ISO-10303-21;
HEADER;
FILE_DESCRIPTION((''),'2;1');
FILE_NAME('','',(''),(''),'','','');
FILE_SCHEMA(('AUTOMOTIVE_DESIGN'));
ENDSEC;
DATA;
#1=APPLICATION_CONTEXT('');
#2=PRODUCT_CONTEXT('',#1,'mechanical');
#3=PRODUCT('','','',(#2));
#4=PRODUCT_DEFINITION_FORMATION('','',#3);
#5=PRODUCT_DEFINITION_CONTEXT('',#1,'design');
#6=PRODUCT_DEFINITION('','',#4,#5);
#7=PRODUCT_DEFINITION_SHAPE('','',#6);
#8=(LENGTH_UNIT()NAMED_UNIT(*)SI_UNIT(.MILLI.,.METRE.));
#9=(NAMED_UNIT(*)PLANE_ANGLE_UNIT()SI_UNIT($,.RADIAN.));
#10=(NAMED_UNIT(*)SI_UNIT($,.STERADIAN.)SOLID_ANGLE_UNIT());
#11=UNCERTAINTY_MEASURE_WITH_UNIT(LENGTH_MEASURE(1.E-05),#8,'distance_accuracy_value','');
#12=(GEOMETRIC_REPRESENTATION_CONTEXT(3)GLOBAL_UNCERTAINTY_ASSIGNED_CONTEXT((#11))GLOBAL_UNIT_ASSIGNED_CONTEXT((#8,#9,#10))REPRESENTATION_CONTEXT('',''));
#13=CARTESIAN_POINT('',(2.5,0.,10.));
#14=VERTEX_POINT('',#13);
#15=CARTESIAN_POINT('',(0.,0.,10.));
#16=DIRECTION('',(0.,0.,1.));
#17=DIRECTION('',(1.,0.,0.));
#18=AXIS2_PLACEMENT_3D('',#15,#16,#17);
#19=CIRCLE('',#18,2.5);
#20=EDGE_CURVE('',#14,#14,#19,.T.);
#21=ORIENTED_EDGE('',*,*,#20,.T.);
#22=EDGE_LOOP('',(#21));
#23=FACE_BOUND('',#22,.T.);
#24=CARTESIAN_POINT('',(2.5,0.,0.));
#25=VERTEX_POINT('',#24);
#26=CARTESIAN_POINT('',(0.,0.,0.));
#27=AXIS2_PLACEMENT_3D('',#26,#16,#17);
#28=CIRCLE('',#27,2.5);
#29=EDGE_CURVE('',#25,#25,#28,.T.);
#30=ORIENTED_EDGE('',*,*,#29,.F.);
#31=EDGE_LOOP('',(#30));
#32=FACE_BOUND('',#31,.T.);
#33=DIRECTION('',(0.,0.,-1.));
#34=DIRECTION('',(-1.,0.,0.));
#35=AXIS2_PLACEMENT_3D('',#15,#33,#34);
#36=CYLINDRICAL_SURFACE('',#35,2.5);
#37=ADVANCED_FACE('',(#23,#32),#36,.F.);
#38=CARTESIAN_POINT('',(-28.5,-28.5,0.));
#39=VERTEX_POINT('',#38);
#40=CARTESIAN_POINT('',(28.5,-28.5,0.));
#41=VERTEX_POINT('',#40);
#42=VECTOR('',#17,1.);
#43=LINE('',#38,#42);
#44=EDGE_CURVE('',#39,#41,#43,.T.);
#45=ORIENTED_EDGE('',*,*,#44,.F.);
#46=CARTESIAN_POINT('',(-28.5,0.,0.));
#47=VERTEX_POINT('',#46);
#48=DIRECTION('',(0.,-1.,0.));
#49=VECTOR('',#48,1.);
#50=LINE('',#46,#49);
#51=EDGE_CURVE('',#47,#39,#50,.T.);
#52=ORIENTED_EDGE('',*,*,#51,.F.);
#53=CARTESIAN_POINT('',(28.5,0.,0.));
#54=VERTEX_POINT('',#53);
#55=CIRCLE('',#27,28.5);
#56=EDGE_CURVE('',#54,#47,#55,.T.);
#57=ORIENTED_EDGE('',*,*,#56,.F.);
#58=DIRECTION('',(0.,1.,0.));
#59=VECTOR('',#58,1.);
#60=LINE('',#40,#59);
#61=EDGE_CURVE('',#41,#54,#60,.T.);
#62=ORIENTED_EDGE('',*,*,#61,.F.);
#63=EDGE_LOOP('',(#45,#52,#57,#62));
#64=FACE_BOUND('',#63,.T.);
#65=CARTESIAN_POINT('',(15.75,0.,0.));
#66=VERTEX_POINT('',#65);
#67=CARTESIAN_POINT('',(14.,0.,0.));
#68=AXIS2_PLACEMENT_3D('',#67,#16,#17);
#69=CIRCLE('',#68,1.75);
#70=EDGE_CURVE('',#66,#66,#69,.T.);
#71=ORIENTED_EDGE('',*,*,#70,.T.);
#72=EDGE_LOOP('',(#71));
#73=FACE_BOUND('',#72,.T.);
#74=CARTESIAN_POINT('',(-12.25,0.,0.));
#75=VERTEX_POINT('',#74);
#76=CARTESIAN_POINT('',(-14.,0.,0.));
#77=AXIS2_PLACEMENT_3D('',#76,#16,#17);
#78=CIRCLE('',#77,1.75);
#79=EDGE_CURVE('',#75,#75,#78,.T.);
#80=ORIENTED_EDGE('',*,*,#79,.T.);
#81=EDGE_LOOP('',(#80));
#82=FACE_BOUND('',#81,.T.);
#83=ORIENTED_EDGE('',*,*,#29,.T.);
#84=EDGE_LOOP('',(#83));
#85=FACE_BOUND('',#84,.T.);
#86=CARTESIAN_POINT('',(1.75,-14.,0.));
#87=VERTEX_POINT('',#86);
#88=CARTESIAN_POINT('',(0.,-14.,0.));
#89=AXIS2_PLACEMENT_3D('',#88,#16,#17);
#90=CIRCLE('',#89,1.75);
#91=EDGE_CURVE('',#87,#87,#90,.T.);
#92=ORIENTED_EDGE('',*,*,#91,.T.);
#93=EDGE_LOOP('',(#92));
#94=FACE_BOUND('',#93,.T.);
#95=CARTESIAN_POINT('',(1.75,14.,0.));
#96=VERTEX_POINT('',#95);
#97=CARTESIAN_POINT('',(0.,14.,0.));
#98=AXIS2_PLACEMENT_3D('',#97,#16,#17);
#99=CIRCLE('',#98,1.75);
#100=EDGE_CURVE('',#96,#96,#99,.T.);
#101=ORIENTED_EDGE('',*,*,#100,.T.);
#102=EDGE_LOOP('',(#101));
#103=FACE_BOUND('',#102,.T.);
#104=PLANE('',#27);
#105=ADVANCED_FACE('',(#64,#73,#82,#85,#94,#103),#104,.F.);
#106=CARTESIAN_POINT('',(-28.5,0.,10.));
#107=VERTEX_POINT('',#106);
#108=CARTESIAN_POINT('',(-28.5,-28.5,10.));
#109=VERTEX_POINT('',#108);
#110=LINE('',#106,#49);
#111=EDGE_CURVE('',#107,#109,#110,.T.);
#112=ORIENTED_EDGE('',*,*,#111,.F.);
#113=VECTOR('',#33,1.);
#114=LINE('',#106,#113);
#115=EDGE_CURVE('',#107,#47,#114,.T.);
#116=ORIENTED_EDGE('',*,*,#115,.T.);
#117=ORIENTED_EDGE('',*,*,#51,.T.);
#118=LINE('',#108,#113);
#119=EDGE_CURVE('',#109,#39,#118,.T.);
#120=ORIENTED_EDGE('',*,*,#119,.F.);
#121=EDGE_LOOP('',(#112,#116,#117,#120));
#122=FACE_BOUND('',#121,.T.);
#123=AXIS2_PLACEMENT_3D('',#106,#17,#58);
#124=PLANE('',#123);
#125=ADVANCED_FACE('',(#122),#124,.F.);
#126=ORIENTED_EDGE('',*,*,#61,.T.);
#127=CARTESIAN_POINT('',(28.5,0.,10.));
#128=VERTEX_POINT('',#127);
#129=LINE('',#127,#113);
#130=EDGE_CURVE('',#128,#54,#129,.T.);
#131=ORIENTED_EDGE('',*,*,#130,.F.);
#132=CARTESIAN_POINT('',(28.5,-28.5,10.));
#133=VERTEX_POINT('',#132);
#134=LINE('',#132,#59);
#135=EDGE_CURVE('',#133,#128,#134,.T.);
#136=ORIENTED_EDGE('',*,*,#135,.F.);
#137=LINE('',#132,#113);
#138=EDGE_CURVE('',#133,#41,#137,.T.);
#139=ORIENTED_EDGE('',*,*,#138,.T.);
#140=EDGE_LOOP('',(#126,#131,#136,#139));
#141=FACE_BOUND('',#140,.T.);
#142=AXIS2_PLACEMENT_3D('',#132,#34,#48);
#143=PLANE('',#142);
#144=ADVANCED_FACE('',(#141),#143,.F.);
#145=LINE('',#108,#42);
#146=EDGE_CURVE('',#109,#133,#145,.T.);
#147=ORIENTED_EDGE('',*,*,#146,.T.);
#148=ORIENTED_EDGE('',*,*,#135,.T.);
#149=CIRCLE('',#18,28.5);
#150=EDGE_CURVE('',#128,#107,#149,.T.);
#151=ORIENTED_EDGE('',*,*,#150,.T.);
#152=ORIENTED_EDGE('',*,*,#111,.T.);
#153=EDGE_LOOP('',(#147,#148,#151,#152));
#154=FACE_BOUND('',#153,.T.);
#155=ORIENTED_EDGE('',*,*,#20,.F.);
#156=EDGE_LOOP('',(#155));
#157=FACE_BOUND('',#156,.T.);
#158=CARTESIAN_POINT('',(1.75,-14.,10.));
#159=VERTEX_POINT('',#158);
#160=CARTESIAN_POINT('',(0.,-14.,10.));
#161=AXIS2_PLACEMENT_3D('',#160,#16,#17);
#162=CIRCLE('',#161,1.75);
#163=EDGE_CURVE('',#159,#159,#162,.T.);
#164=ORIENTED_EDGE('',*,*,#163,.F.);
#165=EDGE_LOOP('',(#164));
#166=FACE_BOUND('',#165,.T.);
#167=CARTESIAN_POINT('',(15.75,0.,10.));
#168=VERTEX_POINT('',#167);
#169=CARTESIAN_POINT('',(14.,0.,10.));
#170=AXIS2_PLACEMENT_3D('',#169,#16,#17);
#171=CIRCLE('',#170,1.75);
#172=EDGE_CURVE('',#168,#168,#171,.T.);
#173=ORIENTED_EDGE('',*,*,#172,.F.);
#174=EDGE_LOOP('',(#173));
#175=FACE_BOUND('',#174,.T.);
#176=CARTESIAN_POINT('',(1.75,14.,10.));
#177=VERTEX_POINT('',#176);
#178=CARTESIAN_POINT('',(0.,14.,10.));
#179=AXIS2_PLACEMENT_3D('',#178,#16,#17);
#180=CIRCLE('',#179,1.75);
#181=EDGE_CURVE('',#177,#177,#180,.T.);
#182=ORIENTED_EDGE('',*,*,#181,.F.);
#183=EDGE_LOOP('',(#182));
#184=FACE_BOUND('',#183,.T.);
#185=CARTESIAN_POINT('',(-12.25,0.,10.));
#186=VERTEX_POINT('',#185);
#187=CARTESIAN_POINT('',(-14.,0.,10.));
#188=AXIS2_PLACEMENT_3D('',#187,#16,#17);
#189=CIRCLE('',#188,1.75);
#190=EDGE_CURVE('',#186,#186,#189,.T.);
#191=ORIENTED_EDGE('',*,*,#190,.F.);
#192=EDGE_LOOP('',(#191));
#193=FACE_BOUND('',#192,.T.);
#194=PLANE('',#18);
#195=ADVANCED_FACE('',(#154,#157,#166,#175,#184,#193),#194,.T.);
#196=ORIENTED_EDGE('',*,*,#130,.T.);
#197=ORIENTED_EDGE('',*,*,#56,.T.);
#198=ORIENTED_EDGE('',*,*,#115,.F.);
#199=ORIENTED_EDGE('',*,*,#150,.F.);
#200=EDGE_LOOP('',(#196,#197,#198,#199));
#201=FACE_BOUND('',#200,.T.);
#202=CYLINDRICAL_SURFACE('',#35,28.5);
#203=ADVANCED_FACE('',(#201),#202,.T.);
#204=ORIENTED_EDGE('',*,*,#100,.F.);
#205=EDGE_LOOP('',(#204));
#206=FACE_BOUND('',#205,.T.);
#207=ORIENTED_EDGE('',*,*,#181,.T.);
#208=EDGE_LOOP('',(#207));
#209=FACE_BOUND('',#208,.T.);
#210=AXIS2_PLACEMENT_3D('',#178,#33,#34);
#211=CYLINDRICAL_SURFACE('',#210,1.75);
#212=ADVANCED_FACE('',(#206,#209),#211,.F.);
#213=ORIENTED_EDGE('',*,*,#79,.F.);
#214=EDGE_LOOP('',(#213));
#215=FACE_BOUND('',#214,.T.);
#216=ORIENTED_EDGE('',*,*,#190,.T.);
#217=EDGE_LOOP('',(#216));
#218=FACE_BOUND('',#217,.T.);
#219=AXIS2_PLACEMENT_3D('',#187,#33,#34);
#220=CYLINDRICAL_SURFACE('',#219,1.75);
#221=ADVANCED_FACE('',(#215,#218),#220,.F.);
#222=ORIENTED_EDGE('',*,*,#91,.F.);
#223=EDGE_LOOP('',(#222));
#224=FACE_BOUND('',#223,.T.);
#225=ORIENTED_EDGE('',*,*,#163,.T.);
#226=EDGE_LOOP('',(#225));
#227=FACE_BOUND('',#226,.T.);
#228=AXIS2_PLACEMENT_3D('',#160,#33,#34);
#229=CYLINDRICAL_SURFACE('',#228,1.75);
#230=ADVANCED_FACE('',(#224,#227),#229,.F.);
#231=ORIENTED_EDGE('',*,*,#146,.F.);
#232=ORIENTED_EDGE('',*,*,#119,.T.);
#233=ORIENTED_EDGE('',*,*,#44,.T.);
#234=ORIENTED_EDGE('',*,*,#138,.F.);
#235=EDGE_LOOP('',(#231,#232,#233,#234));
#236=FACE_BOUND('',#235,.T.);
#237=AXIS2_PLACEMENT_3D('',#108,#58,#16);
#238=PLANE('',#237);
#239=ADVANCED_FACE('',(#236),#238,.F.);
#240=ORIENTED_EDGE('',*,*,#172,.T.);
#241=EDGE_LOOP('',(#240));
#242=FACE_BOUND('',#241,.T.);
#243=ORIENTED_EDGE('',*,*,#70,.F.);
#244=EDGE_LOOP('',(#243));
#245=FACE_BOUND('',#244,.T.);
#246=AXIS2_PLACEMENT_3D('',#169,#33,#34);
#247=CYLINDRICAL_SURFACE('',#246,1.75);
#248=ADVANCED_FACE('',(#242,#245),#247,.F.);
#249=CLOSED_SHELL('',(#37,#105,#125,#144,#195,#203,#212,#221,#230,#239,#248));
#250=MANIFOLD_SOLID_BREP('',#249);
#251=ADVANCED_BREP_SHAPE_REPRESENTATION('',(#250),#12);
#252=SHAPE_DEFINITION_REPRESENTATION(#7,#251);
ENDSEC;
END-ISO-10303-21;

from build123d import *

# Parameters (mm, degrees)
SKETCH_1_R      = 1.75
SKETCH_1_R_2    = 2.5
EXTRUDE_1_DEPTH = 10


with BuildPart() as part:
    # Эскиз1 → Бобышка-Вытянуть1 (new body)
    with BuildSketch(Plane.XY):
        with BuildLine():
            Line((-28.5, 0), (-28.5, -28.5))
            Line((-28.5, -28.5), (28.5, -28.5))
            Line((28.5, -28.5), (28.5, 0))
            ThreePointArc((28.5, 0), (0, 28.5), (-28.5, 0))
        make_face()
        with Locations((0, 14)):
            Circle(SKETCH_1_R, mode=Mode.SUBTRACT)
        with Locations((14, 0)):
            Circle(SKETCH_1_R, mode=Mode.SUBTRACT)
        with Locations((0, -14)):
            Circle(SKETCH_1_R, mode=Mode.SUBTRACT)
        with Locations((-14, 0)):
            Circle(SKETCH_1_R, mode=Mode.SUBTRACT)
        Circle(SKETCH_1_R_2, mode=Mode.SUBTRACT)
    extrude(amount=EXTRUDE_1_DEPTH)


solid = part.part
